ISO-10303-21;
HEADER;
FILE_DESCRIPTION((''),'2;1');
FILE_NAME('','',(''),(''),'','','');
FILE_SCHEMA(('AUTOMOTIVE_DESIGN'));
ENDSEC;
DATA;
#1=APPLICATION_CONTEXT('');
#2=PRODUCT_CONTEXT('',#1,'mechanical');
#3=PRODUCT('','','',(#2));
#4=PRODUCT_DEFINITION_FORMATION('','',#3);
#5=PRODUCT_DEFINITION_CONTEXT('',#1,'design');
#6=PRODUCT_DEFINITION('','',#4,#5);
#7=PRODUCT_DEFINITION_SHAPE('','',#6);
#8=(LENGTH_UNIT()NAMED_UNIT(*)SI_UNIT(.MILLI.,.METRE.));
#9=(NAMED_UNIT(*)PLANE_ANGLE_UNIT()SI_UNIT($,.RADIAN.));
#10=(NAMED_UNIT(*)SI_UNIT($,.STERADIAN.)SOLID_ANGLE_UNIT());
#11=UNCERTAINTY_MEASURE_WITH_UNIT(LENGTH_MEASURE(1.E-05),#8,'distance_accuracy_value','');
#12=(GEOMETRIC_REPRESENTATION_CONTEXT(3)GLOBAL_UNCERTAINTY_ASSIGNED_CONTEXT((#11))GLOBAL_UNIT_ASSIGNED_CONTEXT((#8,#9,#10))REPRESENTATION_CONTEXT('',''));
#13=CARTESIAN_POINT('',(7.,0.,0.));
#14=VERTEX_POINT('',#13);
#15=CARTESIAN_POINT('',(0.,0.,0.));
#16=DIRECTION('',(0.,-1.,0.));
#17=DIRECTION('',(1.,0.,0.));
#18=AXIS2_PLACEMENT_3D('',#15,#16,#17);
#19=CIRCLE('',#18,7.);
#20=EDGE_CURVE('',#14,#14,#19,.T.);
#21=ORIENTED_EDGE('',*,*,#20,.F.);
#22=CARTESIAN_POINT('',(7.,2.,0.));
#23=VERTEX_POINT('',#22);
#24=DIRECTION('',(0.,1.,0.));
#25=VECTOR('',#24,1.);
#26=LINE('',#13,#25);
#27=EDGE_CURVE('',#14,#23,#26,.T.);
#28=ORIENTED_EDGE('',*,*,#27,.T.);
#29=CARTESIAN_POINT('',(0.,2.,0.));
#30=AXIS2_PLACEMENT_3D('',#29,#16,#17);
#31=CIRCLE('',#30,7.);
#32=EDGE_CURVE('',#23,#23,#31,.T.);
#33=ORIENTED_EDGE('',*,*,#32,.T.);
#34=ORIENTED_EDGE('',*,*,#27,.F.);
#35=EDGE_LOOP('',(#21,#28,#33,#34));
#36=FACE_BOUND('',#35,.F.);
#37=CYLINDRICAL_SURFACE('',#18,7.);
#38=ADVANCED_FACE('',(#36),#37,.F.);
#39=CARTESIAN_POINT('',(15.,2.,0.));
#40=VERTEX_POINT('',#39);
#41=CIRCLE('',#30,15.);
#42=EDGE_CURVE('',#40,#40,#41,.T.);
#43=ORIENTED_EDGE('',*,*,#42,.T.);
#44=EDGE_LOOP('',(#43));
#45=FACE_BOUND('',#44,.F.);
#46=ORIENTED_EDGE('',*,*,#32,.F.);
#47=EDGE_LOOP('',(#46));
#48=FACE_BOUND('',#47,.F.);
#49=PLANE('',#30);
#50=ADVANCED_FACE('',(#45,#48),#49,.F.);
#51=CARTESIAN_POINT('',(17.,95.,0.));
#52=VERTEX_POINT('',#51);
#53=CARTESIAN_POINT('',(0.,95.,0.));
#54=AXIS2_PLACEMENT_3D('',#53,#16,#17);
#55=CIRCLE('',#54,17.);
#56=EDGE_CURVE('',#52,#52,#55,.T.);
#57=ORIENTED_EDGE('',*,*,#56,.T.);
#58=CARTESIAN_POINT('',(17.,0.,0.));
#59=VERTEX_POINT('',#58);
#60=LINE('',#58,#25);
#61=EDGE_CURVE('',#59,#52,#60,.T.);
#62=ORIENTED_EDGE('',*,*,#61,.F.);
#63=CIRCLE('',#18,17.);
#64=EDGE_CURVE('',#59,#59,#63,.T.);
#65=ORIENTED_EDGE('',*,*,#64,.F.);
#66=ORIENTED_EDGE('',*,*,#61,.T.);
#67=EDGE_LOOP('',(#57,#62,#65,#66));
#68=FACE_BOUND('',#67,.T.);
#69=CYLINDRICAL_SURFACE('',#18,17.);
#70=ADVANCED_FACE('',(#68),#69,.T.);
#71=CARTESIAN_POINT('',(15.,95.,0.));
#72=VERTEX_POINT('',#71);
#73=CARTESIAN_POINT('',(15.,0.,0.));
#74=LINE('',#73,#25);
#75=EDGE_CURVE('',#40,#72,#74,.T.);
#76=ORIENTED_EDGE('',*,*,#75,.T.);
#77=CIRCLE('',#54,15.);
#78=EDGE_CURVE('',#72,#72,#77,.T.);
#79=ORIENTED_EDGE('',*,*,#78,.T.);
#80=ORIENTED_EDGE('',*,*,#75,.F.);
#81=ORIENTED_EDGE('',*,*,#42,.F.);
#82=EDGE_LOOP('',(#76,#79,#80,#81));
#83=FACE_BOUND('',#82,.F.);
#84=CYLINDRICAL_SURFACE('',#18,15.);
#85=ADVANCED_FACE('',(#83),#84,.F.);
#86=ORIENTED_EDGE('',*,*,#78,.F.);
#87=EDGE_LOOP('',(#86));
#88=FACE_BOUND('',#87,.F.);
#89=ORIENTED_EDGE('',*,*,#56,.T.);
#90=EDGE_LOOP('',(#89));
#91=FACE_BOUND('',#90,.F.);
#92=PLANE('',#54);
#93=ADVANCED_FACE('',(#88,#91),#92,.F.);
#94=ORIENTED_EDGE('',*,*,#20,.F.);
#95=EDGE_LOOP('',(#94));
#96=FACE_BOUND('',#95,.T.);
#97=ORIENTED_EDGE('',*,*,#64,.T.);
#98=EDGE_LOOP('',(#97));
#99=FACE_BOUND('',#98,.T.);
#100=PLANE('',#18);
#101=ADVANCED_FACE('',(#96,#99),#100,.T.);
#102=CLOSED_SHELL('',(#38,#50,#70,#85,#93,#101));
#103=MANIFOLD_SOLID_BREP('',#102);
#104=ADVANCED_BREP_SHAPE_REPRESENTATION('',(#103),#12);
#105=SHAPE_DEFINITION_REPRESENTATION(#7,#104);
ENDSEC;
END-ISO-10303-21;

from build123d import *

# Parameters (mm, degrees)
F0_R     = 17
F0_R_2   = 15
F1_DEPTH = 95
F0_R_3   = 7
F2_DEPTH = 2


with BuildPart() as f1:
    # F0 (on Front) → F1 (new body)
    with BuildSketch(Plane.XZ):
        Circle(F0_R)
        Circle(F0_R_2, mode=Mode.SUBTRACT)
    extrude(amount=-F1_DEPTH)

    # F0 (on Front) → F2 (join)
    with BuildSketch(Plane.XZ):
        Circle(F0_R_2)
        Circle(F0_R_3, mode=Mode.SUBTRACT)
    extrude(amount=-F2_DEPTH)


solid = f1.part
